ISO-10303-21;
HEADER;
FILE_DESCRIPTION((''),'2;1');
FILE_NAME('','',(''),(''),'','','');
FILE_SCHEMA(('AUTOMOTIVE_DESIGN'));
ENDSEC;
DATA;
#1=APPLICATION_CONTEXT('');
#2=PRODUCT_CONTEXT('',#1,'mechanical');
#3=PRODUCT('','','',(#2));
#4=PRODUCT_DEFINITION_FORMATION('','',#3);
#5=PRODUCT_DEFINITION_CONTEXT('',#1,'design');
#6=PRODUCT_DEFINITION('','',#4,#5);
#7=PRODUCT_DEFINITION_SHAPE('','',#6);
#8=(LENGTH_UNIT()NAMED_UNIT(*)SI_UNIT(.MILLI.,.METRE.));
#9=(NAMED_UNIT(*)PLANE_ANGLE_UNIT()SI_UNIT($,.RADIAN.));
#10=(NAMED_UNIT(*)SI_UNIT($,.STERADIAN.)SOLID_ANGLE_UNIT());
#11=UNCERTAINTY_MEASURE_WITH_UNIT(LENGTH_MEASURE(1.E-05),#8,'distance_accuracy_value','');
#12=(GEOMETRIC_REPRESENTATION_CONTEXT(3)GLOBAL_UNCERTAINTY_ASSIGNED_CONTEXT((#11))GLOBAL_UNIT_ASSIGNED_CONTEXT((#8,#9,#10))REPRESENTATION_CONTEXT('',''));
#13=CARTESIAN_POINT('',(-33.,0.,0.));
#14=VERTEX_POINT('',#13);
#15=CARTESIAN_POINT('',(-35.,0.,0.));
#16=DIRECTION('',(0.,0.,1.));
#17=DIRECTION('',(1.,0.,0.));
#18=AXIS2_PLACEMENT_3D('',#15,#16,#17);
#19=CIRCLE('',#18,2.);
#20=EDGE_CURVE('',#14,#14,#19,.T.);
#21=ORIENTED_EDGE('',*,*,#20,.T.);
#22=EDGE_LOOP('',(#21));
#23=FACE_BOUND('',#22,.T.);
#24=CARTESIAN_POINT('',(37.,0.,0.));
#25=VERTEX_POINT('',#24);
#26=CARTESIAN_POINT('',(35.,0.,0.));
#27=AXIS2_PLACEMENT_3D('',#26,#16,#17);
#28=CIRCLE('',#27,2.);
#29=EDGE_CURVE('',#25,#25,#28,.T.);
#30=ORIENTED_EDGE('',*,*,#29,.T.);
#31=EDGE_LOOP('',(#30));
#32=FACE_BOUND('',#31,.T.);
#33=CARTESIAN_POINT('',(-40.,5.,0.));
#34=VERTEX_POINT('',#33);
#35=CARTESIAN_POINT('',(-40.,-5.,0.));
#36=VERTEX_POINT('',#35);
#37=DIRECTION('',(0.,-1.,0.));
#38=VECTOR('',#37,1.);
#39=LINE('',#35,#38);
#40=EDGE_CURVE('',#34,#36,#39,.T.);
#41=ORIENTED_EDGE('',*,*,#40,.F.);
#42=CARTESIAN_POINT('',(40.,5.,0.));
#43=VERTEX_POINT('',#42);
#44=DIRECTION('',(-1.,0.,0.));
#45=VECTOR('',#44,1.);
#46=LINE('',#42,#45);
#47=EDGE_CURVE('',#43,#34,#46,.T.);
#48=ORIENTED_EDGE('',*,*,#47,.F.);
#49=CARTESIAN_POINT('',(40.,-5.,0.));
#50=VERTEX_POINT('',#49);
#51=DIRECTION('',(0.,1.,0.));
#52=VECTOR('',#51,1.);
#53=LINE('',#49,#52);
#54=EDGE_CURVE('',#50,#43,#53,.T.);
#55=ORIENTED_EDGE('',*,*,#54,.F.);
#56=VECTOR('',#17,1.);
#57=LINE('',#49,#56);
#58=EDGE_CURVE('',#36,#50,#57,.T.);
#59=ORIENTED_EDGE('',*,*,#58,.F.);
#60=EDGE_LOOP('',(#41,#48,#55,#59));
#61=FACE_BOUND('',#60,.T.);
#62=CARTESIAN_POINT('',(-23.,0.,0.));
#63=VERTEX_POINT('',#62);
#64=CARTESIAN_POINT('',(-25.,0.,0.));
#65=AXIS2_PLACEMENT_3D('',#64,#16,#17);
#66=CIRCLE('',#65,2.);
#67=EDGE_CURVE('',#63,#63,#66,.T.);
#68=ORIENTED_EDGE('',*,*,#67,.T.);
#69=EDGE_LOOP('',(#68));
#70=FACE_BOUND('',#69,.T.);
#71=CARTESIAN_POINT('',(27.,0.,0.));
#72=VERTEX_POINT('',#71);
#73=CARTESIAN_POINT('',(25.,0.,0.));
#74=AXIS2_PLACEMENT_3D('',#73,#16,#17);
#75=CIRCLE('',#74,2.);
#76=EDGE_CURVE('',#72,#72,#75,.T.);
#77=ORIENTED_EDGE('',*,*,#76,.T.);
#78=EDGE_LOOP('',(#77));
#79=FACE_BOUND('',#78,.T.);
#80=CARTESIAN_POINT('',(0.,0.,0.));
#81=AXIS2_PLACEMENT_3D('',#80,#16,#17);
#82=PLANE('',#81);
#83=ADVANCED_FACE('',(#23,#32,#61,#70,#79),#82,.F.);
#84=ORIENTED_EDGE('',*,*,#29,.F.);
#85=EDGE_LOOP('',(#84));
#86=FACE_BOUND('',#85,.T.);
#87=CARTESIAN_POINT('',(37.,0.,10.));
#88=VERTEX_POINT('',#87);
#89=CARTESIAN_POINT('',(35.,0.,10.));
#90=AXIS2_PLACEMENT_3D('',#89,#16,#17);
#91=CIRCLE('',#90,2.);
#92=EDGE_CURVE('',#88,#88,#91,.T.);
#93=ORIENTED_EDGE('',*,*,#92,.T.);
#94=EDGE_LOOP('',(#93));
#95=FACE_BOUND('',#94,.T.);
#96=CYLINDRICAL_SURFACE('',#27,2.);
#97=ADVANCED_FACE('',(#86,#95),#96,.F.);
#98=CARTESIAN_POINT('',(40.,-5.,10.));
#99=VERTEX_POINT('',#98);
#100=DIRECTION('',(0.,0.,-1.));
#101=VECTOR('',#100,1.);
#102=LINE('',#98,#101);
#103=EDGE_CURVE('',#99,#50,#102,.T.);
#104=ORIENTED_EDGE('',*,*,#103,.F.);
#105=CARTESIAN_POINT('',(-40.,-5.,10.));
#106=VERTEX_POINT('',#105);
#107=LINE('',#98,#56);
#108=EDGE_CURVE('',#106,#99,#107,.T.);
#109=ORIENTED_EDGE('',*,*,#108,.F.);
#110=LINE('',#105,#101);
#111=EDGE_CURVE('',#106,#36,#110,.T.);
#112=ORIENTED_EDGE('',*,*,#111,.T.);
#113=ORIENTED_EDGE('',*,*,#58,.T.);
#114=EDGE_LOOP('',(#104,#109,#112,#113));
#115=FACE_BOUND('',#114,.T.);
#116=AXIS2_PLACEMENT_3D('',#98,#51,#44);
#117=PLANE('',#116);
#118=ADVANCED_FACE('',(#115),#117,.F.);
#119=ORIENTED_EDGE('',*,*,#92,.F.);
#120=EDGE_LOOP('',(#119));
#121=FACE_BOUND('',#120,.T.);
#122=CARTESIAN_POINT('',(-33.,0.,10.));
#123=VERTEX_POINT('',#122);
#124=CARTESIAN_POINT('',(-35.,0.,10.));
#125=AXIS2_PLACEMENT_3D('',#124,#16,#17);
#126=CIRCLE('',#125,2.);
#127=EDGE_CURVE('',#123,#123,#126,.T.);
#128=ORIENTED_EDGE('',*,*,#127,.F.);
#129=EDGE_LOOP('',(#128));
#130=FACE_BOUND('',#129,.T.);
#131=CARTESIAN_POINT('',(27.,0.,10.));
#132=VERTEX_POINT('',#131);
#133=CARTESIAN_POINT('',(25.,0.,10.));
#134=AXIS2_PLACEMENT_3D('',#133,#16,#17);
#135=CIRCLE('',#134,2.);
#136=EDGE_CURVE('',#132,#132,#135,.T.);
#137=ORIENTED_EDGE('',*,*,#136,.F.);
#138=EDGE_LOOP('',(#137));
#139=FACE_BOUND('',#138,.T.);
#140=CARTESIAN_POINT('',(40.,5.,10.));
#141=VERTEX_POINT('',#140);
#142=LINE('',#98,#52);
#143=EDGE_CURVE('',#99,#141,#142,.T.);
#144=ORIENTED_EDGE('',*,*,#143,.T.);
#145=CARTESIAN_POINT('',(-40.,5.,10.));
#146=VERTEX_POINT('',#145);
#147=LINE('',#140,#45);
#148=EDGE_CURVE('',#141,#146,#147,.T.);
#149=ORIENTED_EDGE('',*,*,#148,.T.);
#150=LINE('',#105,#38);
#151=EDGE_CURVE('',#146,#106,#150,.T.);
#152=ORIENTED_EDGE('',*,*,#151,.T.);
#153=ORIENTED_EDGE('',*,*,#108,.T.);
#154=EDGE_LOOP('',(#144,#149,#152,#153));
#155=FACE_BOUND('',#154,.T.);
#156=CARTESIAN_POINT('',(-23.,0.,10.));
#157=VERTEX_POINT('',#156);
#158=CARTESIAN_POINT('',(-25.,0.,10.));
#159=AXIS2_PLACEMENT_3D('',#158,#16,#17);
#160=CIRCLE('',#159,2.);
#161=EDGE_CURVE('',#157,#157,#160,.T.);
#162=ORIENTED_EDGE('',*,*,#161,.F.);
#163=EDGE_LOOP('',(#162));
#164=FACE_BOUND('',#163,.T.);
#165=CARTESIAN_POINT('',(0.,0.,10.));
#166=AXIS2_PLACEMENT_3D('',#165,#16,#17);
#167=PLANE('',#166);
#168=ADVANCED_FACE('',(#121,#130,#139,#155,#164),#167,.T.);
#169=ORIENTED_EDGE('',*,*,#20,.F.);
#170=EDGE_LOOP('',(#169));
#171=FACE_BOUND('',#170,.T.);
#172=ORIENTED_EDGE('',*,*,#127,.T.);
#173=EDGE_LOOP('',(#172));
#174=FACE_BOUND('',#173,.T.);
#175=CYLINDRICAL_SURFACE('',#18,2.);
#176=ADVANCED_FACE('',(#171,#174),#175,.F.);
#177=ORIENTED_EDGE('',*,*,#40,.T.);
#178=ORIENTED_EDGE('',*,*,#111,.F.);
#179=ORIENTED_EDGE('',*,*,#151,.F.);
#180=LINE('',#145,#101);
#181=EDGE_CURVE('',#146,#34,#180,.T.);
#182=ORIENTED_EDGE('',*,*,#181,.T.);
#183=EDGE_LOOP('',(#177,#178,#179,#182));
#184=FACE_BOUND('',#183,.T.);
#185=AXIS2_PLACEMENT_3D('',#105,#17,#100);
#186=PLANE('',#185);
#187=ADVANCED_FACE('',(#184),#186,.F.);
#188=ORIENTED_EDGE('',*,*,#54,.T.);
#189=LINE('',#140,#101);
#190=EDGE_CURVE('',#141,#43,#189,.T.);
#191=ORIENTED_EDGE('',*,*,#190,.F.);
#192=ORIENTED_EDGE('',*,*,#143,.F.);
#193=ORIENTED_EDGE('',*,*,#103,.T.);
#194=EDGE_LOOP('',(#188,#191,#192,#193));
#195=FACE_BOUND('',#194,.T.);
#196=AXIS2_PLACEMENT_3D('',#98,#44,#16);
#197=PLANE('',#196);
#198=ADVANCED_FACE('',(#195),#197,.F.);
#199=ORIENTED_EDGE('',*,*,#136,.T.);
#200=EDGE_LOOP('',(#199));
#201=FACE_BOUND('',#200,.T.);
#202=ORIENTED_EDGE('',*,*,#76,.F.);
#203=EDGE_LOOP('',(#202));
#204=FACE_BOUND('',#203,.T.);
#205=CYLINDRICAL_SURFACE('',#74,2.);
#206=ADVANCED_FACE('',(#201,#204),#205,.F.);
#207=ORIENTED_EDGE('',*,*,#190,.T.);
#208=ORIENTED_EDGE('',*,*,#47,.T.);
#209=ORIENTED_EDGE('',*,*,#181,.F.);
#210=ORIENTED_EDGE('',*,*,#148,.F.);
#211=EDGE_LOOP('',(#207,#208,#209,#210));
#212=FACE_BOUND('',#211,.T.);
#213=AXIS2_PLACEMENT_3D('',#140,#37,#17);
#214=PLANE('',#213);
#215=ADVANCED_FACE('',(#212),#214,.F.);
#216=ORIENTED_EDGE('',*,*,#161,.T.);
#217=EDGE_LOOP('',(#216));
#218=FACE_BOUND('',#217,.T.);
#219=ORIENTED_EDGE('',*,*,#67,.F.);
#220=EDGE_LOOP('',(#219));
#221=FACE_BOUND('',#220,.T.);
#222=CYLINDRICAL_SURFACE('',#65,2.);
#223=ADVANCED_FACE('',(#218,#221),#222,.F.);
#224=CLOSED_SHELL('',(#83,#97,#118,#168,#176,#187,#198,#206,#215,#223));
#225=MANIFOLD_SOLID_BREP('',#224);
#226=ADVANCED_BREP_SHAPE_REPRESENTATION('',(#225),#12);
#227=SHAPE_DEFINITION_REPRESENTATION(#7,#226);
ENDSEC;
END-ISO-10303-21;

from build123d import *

# Parameters (mm, degrees)
SKETCH_1_W          = 80
SKETCH_1_H          = 10
EXTRUDE_1_DEPTH     = 10
SKETCH_2_R          = 2
CUT_EXTRUDE_1_DEPTH = 10


with BuildPart() as part:
    # 草图1 → 凸台-拉伸1 (new body)
    with BuildSketch(Plane.XY):
        Rectangle(SKETCH_1_W, SKETCH_1_H)
    extrude(amount=EXTRUDE_1_DEPTH)

    # 草图2 → 切除-拉伸1 (cut)
    with BuildSketch(Plane.XY.offset(10)):
        with Locations((-35, 0)):
            Circle(SKETCH_2_R)
        with Locations((35, 0)):
            Circle(SKETCH_2_R)
        with Locations((-25, 0)):
            Circle(SKETCH_2_R)
        with Locations((25, 0)):
            Circle(SKETCH_2_R)
    extrude(amount=-CUT_EXTRUDE_1_DEPTH, mode=Mode.SUBTRACT)


solid = part.part
